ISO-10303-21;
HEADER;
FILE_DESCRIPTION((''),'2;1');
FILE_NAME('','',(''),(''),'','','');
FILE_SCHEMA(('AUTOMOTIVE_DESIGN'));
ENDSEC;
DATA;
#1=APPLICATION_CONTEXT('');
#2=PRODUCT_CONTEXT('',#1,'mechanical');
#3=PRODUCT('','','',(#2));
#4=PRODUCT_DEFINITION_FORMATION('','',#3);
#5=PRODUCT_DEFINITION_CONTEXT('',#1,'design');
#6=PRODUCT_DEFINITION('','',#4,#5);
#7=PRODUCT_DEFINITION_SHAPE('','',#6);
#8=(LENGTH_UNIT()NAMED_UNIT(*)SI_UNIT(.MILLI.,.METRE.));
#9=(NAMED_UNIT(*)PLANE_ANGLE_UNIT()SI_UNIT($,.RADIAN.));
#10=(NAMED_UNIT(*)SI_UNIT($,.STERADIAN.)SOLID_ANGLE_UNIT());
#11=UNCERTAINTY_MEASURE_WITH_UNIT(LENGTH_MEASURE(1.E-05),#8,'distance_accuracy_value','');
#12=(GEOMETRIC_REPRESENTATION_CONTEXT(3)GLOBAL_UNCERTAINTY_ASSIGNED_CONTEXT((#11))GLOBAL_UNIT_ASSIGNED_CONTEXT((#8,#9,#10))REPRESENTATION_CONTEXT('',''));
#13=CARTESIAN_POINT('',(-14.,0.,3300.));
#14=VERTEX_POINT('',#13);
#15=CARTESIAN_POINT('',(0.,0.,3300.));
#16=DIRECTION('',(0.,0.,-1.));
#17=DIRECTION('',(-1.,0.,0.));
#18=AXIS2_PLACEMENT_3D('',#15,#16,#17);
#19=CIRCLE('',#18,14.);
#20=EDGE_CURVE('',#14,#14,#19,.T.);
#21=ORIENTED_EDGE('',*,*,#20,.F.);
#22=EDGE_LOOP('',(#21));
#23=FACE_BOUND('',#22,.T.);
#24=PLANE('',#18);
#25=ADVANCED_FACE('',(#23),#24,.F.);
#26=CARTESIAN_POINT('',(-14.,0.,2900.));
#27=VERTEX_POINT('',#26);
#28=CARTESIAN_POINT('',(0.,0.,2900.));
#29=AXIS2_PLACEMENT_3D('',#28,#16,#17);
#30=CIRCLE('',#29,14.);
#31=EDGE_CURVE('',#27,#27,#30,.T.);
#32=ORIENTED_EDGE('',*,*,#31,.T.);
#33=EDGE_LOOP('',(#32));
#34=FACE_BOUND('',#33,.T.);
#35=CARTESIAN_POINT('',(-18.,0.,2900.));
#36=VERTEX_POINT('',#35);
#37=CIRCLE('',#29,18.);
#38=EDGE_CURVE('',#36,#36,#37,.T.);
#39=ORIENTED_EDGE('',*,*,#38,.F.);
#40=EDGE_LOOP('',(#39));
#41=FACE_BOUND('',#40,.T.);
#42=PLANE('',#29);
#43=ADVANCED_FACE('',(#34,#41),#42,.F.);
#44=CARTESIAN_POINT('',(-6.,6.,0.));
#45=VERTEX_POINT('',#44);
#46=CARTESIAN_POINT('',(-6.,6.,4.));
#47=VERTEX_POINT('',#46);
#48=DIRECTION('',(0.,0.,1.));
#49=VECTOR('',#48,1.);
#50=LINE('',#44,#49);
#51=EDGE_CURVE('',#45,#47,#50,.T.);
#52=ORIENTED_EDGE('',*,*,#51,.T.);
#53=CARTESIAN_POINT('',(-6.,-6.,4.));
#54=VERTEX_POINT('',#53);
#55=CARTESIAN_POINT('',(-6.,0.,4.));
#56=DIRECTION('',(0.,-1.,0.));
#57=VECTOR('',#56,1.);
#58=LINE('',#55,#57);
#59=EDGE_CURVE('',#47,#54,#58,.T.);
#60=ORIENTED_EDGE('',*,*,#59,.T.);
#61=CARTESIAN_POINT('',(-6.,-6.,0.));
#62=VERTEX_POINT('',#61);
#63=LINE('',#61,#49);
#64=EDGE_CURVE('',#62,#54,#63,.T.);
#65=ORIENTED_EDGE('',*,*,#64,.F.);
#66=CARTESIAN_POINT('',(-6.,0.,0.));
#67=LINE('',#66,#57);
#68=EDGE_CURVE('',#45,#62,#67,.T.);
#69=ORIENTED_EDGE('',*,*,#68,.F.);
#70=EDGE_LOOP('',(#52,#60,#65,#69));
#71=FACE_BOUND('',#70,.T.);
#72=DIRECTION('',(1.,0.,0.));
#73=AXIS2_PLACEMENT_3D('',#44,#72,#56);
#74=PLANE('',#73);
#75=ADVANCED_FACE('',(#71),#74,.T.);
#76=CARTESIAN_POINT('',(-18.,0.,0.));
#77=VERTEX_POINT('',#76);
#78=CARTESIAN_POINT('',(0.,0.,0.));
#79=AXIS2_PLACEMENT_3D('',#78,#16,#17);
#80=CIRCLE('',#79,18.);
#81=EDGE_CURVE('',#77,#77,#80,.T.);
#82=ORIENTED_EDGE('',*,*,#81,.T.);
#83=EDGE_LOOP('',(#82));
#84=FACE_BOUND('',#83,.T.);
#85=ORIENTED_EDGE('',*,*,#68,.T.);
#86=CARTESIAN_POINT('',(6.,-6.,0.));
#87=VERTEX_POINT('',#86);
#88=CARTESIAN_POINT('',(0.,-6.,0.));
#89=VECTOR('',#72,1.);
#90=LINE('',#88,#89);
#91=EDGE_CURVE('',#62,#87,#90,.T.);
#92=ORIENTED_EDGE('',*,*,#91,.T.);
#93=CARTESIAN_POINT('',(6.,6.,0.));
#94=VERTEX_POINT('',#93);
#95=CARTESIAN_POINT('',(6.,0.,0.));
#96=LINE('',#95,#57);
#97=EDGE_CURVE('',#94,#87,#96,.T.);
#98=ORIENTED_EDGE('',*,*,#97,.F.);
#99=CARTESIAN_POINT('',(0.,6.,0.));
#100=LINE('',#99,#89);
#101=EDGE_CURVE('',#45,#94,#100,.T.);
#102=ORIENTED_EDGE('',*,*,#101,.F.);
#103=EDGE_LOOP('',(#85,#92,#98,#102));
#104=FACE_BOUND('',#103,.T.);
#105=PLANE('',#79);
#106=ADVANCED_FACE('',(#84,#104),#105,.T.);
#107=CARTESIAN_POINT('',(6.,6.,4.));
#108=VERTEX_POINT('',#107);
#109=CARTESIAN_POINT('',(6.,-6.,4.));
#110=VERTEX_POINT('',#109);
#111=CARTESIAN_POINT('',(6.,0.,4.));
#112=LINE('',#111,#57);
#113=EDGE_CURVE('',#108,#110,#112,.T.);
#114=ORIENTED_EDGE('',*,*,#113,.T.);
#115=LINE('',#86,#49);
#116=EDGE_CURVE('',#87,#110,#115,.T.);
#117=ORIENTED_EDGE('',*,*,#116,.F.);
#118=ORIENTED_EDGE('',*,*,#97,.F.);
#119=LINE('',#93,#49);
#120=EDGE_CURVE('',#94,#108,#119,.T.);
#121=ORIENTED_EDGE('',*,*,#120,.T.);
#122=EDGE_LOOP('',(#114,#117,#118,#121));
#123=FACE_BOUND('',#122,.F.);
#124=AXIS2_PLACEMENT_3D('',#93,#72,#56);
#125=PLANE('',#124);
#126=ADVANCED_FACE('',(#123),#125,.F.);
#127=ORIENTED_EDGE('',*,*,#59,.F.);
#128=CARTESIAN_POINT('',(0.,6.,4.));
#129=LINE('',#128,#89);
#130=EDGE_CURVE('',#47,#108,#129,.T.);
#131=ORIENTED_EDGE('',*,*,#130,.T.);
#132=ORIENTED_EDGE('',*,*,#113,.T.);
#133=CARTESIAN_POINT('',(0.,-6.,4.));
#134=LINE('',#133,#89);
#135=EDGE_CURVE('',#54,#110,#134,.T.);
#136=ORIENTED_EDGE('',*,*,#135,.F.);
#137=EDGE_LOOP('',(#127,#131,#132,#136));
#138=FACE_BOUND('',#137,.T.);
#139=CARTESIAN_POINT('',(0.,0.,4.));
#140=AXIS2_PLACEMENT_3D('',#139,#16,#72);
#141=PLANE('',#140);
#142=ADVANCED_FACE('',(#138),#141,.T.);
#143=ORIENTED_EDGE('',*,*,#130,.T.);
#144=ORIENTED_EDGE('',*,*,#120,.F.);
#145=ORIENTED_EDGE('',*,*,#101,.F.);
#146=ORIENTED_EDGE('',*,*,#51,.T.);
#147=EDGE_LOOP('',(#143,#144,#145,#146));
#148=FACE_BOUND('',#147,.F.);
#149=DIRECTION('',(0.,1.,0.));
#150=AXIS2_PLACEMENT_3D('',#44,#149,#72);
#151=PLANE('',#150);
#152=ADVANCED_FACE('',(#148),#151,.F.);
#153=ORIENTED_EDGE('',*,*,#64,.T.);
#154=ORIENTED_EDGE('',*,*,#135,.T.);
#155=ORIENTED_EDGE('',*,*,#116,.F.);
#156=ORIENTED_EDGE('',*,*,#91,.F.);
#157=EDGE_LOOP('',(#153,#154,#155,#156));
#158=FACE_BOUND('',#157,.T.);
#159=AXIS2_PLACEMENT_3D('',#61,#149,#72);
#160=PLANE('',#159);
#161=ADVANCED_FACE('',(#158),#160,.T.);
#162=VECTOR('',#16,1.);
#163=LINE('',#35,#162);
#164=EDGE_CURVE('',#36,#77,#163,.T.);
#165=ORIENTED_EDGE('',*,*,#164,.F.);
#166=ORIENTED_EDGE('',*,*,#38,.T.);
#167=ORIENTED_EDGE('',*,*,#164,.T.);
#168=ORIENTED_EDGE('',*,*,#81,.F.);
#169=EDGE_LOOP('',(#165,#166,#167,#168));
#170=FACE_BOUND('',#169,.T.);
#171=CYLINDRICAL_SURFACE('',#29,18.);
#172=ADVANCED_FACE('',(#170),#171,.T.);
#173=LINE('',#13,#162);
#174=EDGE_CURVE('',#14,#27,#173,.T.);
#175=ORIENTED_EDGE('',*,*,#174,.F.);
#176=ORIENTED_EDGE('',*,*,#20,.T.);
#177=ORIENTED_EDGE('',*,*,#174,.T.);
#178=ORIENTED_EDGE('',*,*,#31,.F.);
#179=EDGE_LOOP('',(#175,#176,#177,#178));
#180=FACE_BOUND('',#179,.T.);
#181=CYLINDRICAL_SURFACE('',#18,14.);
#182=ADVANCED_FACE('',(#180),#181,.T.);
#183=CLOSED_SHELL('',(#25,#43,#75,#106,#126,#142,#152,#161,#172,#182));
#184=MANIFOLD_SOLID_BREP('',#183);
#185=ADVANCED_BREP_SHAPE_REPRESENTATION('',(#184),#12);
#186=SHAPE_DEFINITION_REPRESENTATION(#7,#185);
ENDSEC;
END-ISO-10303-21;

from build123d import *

# Parameters (mm, degrees)
F2_W     = 12
F2_H     = 12
F3_DEPTH = 4


with BuildPart() as f1:
    # F0 (on Front) → F1 (revolve)
    with BuildSketch(Plane.XZ):
        Polygon((0, 0), (0, 3300), (-14, 3300), (-14, 2900), (-18, 2900), (-18, 0), align=None)
    revolve(axis=Axis((0, 0, 1650), (0, 0, -1)))

    # F2 (on face) → F3 (cut)
    with BuildSketch(Plane(origin=(0, 0, 0), x_dir=(1, 0, 0), z_dir=(0, 0, -1))):
        Rectangle(F2_W, F2_H)
    extrude(amount=-F3_DEPTH, mode=Mode.SUBTRACT)


solid = f1.part
